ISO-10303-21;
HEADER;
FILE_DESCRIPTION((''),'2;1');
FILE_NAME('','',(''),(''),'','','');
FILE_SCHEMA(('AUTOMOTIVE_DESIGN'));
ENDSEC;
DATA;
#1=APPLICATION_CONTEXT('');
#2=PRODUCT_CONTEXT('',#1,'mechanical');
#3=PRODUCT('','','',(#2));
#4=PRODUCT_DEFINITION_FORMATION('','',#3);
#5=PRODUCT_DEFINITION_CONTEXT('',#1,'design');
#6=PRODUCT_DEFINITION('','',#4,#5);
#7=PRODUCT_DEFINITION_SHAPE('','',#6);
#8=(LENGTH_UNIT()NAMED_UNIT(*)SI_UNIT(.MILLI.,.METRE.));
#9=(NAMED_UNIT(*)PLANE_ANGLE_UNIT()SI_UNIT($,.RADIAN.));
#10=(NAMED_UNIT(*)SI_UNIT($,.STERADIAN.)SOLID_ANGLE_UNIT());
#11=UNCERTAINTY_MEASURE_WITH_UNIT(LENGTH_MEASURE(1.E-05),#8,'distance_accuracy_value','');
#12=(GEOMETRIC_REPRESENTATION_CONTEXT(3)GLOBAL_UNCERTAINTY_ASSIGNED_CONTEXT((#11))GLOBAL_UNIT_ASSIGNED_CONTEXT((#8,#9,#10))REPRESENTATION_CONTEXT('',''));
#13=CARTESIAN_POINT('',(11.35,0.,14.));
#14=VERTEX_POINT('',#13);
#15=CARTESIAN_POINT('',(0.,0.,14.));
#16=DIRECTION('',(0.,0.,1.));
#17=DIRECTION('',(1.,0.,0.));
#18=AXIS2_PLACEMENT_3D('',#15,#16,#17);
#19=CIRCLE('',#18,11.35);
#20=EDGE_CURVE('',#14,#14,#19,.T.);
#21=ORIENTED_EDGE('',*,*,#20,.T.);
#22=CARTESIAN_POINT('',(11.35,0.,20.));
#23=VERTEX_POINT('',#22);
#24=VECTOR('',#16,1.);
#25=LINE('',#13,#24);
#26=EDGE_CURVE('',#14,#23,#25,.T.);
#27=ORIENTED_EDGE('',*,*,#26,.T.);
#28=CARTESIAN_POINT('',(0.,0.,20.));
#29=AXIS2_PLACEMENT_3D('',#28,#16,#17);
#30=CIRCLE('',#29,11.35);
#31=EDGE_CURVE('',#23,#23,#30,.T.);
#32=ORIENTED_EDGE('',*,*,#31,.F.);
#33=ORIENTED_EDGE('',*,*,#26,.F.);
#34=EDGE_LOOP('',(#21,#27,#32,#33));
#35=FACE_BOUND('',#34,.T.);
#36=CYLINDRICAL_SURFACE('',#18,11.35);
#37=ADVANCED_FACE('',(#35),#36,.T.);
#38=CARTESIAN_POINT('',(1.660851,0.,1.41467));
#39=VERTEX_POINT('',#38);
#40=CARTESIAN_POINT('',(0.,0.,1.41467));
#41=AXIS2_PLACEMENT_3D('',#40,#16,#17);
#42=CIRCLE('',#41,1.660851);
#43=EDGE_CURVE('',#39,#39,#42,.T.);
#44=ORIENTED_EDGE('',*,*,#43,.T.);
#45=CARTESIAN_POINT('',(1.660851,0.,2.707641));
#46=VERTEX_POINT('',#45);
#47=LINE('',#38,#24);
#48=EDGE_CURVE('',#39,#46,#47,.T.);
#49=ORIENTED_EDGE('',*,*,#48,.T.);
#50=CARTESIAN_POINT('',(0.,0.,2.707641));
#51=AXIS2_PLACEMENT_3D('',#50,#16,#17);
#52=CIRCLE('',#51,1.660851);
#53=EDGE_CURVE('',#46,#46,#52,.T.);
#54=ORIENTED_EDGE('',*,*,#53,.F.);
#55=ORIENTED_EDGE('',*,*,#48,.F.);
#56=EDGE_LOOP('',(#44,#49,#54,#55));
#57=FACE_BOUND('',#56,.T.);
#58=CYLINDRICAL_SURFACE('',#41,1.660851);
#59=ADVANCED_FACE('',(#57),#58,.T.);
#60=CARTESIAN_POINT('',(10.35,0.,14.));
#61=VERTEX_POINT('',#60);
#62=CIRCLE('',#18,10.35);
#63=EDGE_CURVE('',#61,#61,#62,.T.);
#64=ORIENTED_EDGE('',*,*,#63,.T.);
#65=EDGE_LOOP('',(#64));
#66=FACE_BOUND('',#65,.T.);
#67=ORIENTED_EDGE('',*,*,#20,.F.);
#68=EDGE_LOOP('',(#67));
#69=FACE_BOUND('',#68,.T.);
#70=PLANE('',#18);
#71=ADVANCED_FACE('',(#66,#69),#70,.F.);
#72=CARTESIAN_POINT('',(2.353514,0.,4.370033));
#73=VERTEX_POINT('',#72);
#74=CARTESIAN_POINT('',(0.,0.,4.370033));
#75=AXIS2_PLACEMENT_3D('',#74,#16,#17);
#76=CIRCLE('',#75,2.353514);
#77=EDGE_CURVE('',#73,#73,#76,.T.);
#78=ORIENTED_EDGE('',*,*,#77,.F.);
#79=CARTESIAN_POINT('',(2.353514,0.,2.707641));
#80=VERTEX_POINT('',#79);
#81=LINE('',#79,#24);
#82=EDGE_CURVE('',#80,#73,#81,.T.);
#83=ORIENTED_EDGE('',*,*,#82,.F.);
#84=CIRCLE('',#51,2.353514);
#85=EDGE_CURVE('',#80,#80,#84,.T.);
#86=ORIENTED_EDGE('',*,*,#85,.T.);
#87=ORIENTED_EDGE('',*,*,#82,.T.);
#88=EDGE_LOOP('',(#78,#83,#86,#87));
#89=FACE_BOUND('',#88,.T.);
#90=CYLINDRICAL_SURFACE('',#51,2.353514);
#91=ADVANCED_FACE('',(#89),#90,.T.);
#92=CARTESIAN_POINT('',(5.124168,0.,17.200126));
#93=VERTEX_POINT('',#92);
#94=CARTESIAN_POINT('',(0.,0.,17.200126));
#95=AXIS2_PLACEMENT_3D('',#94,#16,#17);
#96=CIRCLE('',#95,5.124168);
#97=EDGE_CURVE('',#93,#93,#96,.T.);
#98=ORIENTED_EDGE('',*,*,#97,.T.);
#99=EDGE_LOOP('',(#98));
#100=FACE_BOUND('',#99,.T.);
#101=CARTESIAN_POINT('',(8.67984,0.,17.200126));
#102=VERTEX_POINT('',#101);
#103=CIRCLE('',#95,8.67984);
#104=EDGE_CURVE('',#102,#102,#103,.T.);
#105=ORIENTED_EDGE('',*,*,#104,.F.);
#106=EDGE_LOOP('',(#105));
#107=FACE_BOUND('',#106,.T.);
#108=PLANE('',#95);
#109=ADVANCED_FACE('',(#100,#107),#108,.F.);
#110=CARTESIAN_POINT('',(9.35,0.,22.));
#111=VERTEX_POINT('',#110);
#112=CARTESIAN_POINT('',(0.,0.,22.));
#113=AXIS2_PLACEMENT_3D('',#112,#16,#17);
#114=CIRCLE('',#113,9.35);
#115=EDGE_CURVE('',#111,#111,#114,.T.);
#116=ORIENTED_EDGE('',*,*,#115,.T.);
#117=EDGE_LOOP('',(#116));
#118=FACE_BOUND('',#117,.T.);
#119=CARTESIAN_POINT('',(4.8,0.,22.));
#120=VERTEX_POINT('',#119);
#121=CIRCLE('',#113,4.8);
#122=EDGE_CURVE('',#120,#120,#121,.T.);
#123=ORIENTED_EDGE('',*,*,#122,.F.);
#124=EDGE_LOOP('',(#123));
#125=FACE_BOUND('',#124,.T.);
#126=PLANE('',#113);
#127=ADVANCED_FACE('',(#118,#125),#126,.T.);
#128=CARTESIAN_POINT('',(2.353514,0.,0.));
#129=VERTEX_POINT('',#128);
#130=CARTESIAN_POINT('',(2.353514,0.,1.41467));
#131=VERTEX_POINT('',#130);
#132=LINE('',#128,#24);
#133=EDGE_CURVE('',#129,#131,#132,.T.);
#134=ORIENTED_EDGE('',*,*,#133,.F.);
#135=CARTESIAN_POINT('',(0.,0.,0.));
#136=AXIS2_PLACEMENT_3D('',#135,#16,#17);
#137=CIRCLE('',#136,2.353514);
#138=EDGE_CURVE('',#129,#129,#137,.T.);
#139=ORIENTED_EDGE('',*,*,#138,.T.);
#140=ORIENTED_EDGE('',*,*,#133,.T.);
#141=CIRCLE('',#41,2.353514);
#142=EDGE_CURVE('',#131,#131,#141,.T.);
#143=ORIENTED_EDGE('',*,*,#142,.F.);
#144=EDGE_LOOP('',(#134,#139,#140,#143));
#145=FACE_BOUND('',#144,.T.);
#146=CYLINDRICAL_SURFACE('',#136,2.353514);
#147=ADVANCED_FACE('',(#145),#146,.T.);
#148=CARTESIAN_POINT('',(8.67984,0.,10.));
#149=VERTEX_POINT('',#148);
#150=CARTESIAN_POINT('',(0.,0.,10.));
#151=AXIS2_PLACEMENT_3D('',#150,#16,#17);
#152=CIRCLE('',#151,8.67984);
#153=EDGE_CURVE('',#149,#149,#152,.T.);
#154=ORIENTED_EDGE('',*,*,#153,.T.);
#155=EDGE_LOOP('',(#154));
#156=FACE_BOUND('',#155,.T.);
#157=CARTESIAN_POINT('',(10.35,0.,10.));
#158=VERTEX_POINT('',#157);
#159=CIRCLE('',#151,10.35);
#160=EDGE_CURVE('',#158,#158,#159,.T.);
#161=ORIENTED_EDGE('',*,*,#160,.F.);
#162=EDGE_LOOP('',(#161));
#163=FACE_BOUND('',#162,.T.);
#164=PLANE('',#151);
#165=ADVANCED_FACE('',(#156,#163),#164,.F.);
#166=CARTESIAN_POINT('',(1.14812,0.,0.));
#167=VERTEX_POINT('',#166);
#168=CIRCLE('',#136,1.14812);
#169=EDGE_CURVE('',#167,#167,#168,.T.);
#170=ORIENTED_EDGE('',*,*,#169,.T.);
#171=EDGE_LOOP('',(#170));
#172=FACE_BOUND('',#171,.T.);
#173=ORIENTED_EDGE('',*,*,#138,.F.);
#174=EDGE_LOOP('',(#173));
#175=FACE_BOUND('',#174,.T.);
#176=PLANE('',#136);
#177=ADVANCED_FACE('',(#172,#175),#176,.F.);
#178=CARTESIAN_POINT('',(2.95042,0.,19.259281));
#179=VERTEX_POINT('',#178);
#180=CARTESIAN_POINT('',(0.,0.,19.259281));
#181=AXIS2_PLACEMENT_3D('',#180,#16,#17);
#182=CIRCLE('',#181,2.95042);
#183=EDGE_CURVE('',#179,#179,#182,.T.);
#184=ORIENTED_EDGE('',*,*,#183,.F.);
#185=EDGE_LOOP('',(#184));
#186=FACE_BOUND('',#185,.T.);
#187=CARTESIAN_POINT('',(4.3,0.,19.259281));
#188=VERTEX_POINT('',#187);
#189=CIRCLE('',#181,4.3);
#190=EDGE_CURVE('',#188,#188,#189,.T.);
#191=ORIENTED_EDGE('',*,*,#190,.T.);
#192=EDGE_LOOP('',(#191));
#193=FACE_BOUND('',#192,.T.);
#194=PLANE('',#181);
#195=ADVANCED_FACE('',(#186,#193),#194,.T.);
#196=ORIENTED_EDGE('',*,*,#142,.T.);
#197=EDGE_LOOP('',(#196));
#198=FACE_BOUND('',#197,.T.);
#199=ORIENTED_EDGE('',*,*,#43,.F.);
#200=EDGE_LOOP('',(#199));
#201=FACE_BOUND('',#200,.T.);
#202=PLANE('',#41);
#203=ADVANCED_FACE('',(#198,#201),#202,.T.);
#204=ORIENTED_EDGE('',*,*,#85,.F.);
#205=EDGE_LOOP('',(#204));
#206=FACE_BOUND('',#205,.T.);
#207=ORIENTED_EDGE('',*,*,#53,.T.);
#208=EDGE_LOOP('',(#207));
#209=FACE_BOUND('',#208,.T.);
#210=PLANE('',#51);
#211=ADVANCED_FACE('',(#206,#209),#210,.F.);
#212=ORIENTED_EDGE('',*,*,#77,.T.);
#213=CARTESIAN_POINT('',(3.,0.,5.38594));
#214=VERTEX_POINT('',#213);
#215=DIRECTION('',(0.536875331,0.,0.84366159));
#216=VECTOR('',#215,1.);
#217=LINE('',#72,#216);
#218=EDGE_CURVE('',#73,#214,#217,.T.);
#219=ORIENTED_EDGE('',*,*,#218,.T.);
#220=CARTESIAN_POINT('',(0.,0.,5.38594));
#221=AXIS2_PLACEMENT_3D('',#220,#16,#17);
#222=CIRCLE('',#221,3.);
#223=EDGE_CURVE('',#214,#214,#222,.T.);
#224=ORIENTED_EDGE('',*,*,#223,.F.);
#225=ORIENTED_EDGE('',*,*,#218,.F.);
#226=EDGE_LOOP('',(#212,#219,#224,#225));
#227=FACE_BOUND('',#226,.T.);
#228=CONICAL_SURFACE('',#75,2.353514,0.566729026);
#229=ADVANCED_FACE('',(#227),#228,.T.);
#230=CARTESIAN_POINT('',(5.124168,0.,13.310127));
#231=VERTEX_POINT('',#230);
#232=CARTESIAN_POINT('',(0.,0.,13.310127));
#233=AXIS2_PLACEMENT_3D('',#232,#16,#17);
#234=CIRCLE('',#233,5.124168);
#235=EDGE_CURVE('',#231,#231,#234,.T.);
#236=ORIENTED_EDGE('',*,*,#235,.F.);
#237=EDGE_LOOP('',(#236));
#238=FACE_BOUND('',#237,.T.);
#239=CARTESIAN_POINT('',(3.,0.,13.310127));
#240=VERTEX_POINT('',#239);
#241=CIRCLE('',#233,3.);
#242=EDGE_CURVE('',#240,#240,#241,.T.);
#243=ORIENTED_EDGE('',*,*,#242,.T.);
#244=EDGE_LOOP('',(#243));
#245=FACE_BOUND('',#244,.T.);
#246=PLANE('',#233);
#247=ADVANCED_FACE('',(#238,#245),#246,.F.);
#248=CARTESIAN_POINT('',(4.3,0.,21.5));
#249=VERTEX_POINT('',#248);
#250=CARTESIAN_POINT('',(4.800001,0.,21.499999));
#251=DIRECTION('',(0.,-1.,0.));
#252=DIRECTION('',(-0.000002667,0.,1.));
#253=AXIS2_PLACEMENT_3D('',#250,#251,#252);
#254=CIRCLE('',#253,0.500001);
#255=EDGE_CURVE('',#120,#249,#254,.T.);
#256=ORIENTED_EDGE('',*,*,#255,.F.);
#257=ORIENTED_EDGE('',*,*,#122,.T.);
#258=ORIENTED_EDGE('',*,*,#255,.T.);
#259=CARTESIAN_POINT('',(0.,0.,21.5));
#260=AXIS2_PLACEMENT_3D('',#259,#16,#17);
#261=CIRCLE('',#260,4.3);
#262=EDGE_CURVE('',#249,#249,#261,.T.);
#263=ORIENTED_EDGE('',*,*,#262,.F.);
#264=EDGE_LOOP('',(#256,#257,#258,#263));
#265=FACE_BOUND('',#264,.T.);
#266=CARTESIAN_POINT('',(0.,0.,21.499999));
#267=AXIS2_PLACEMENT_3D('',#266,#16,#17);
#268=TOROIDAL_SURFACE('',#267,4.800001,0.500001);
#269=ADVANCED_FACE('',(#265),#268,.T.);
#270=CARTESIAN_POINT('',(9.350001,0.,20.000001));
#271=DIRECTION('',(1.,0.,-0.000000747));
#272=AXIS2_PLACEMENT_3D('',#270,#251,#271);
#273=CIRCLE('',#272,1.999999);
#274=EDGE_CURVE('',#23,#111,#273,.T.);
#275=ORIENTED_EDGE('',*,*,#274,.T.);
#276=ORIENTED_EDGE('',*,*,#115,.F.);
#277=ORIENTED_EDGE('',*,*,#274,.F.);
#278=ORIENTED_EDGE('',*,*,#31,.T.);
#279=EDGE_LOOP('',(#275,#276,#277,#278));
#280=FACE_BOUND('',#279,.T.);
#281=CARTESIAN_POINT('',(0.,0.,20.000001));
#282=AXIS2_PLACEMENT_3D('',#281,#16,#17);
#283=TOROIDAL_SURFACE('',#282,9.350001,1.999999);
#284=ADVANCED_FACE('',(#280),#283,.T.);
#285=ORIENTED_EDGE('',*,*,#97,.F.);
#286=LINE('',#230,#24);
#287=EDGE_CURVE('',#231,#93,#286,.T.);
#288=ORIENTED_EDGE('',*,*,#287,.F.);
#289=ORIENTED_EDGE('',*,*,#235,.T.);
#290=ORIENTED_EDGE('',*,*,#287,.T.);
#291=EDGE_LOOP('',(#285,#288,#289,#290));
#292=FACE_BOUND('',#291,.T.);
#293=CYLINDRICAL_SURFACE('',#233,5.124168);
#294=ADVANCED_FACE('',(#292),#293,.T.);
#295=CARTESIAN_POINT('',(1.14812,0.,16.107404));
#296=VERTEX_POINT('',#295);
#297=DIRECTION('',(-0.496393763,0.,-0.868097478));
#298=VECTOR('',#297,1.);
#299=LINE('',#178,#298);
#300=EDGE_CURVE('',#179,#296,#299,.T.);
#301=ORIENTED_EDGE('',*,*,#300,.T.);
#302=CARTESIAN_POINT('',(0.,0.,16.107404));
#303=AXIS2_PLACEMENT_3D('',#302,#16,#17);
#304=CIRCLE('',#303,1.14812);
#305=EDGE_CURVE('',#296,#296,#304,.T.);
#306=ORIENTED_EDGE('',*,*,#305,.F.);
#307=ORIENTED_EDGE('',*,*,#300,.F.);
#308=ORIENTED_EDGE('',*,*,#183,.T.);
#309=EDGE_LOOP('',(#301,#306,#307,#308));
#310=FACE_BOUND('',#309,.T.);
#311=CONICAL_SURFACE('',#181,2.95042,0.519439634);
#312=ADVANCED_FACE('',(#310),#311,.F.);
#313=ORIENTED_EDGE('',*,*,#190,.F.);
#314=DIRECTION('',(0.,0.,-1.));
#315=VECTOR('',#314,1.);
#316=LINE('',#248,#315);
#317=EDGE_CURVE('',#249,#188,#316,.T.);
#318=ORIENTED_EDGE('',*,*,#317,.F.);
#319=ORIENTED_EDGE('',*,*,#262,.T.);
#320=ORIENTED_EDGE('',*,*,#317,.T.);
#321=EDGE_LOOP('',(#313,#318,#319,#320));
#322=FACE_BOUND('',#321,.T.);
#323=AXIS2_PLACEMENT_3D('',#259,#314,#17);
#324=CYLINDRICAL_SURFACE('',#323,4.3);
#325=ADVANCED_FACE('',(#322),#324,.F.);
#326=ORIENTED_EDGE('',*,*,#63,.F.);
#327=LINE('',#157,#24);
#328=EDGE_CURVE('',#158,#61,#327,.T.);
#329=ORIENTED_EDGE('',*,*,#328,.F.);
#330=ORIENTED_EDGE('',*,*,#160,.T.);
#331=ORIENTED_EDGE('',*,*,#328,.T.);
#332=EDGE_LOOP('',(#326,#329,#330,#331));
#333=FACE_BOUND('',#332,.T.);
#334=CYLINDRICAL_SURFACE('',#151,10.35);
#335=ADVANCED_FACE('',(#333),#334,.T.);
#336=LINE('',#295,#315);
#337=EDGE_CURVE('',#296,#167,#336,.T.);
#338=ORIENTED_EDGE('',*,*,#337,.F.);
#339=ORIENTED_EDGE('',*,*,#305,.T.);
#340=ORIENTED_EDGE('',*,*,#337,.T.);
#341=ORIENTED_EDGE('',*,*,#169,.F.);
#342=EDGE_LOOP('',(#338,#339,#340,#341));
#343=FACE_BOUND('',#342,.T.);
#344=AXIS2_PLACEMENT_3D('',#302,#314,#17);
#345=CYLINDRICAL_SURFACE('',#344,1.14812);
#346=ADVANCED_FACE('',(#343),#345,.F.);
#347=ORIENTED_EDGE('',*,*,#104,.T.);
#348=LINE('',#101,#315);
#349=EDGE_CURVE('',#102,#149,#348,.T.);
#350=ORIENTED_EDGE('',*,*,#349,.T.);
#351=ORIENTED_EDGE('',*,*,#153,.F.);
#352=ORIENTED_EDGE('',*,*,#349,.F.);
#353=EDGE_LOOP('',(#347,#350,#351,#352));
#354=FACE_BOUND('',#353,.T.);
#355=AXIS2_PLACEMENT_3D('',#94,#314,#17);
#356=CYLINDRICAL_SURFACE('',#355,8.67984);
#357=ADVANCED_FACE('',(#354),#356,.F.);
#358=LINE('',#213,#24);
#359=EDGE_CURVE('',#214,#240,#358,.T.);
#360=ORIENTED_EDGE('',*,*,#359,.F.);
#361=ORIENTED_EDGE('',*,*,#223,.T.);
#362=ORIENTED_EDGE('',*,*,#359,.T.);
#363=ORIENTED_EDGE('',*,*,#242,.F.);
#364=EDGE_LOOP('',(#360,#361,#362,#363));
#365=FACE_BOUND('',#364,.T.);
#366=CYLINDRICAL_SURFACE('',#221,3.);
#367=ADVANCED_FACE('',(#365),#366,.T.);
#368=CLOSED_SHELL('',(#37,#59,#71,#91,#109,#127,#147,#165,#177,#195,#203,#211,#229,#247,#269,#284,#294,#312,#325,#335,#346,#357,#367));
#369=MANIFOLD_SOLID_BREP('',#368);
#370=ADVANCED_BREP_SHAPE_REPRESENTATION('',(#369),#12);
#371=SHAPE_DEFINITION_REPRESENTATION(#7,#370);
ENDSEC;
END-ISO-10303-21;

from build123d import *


with BuildPart() as f1:
    # F0 (on Front) → F1 (revolve)
    with BuildSketch(Plane.XZ):
        with BuildLine():
            Line((9.35, 22), (4.8, 22))
            ThreePointArc((4.8, 22), (4.446447, 21.853553), (4.3, 21.5))
            Line((4.3, 21.5), (4.3, 19.259281))
            Line((4.3, 19.259281), (2.95042, 19.259281))
            Line((2.95042, 19.259281), (1.14812, 16.107404))
            Line((1.14812, 16.107404), (1.14812, 0))
            Line((1.14812, 0), (2.353514, 0))
            Line((2.353514, 0), (2.353514, 1.41467))
            Line((2.353514, 1.41467), (1.660851, 1.41467))
            Line((1.660851, 1.41467), (1.660851, 2.707641))
            Line((1.660851, 2.707641), (2.353514, 2.707641))
            Line((2.353514, 2.707641), (2.353514, 4.370033))
            Line((2.353514, 4.370033), (3, 5.38594))
            Line((3, 5.38594), (3, 13.310127))
            Line((3, 13.310127), (5.124168, 13.310127))
            Line((5.124168, 13.310127), (5.124168, 17.200126))
            Line((5.124168, 17.200126), (8.67984, 17.200126))
            Line((8.67984, 17.200126), (8.67984, 10))
            Line((8.67984, 10), (10.35, 10))
            Line((10.35, 10), (10.35, 14))
            Line((10.35, 14), (11.35, 14))
            Line((11.35, 14), (11.35, 20))
            ThreePointArc((11.35, 20), (10.764214, 21.414214), (9.35, 22))
        make_face()
    revolve(axis=Axis((0, 0, 11), (0, 0, 1)))


solid = f1.part
